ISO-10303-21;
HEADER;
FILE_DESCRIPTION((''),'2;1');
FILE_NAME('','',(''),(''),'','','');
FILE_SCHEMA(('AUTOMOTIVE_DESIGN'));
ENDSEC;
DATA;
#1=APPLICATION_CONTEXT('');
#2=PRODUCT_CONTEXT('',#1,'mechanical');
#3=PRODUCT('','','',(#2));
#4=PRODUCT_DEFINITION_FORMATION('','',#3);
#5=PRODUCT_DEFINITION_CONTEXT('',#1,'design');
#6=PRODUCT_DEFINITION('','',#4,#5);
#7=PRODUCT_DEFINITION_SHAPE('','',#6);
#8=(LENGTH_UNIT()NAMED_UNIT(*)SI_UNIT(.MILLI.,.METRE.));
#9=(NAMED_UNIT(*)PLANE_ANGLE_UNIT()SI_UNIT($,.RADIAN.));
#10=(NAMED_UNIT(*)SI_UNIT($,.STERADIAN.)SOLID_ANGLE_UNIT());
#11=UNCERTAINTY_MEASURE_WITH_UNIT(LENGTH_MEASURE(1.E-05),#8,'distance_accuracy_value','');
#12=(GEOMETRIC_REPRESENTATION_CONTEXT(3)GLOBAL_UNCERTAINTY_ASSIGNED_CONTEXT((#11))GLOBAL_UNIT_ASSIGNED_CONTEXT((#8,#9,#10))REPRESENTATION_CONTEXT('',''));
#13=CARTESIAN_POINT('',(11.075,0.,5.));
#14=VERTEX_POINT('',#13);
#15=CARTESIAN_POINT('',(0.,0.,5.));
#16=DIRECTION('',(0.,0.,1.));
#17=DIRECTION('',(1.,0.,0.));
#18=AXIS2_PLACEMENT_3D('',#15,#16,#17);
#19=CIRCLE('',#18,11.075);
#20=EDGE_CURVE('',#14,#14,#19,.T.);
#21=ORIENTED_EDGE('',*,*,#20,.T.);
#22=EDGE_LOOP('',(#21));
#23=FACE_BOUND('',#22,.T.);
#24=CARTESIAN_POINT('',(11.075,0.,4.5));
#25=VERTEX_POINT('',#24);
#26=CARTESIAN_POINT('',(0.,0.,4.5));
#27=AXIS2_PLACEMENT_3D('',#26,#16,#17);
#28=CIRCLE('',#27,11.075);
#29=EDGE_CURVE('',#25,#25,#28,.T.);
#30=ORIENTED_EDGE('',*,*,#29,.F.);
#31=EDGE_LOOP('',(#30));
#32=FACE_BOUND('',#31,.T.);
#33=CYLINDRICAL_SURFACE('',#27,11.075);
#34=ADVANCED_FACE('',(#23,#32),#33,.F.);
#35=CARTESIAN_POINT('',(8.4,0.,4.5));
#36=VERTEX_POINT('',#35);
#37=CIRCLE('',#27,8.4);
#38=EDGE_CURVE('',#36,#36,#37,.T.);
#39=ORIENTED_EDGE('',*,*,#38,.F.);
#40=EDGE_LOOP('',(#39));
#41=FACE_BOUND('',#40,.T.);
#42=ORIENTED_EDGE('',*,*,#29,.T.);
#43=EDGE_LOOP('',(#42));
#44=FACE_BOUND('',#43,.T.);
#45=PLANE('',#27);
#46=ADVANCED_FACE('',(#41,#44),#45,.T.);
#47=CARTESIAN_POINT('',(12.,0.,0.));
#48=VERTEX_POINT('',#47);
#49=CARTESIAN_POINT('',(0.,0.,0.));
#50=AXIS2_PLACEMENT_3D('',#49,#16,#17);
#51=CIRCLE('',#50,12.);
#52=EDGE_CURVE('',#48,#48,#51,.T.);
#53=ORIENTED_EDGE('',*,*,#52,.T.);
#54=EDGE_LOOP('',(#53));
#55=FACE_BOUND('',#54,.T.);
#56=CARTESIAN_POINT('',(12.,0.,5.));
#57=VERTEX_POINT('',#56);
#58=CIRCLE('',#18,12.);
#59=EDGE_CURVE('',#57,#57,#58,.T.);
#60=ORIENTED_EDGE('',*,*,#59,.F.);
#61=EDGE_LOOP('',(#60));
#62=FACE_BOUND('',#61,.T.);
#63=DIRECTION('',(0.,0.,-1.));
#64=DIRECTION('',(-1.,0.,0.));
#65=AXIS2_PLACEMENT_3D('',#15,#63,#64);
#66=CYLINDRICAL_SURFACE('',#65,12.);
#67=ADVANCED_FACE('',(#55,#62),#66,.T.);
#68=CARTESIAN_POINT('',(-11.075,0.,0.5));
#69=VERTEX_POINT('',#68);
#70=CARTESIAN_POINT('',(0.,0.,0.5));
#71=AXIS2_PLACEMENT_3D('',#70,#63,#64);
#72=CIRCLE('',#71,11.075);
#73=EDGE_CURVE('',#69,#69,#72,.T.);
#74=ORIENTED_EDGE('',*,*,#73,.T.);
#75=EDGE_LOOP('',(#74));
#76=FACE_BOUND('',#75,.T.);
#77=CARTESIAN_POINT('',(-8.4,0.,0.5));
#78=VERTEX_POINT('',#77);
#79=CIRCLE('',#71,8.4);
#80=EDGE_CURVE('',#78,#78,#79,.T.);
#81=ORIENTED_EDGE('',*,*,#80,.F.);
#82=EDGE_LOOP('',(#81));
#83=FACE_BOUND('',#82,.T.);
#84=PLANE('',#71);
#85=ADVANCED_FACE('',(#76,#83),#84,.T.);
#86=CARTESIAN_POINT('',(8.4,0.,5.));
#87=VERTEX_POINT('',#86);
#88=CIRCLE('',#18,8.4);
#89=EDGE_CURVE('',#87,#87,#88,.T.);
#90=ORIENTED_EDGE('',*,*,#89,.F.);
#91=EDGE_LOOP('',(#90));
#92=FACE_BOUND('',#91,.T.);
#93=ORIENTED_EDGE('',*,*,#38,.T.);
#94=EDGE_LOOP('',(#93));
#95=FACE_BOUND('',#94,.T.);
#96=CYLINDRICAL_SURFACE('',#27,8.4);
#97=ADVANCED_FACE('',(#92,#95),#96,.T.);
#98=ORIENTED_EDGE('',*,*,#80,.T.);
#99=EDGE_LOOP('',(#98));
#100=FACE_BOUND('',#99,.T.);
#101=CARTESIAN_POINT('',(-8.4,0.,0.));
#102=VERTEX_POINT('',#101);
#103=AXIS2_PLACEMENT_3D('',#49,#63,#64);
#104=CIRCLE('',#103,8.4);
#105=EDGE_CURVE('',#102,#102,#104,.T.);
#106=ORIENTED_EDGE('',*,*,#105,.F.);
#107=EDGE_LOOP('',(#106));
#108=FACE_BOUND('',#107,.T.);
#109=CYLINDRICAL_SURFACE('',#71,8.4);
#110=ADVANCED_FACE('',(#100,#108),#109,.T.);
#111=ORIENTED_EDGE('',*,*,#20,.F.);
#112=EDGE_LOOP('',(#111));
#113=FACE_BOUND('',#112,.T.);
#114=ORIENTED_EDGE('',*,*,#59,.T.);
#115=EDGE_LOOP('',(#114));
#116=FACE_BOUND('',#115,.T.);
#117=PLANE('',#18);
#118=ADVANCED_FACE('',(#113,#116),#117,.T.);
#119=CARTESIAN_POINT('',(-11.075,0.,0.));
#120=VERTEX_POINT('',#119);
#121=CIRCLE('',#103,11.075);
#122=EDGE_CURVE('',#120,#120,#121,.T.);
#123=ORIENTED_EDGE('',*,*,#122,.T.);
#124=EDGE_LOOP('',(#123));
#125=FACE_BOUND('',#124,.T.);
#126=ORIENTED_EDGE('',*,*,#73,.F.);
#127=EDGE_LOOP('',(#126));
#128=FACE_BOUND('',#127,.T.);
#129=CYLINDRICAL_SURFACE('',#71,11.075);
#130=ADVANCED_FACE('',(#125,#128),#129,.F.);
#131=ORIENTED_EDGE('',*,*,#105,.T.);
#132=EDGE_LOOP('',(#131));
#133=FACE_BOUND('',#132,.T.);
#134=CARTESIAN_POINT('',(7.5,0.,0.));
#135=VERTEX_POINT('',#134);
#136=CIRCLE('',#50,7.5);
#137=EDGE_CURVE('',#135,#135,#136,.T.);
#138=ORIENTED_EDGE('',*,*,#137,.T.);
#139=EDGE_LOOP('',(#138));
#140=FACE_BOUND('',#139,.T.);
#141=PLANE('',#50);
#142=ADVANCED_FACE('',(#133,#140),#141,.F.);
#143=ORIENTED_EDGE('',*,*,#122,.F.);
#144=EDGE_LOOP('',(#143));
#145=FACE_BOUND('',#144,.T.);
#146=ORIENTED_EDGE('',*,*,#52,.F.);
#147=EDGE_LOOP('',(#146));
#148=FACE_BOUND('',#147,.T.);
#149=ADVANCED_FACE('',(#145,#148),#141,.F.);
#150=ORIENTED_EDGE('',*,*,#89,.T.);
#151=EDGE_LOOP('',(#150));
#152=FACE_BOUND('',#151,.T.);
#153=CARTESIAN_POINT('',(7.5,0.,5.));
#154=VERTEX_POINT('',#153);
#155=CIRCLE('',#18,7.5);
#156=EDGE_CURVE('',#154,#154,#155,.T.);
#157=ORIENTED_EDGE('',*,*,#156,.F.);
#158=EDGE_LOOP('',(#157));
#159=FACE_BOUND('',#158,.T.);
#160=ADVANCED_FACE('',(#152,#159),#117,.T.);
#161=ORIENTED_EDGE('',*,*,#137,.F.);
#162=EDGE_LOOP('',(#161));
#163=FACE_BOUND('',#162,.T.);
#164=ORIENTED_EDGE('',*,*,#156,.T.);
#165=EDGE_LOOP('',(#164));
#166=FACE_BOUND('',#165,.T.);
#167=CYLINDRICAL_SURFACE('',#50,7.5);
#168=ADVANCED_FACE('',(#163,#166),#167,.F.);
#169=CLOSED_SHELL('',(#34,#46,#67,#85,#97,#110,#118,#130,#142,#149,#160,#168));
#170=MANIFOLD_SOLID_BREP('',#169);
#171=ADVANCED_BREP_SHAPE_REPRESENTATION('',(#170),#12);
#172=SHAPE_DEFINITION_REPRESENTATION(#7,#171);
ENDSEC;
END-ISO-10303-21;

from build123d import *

# Parameters (mm, degrees)
SKETCH_1_R          = 12
EXTRUDE_1_DEPTH     = 5
SKETCH_2_R          = 7.5
CUT_EXTRUDE_1_DEPTH = 6
SKETCH_3_R          = 11.075
SKETCH_3_R_2        = 8.4
CUT_EXTRUDE_2_DEPTH = 0.5
SKETCH_4_R          = 11.075
SKETCH_4_R_2        = 8.4
CUT_EXTRUDE_3_DEPTH = 0.5


with BuildPart() as part:
    # 草圖1 → 填料-伸長1 (new body)
    with BuildSketch(Plane.XY):
        Circle(SKETCH_1_R)
    extrude(amount=EXTRUDE_1_DEPTH)

    # 草圖2 → 除料-伸長1 (cut, through all)
    with BuildSketch(Plane.XY.offset(5)):
        Circle(SKETCH_2_R)
    extrude(amount=-CUT_EXTRUDE_1_DEPTH, mode=Mode.SUBTRACT)

    # 草圖3 → 除料-伸長2 (cut)
    with BuildSketch(Plane.XY.offset(5)):
        Circle(SKETCH_3_R)
        Circle(SKETCH_3_R_2, mode=Mode.SUBTRACT)
    extrude(amount=-CUT_EXTRUDE_2_DEPTH, mode=Mode.SUBTRACT)

    # 草圖4 → 除料-伸長3 (cut)
    with BuildSketch(Plane(origin=(0, 0, 0), x_dir=(-1, 0, 0), z_dir=(0, 0, -1))):
        Circle(SKETCH_4_R)
        Circle(SKETCH_4_R_2, mode=Mode.SUBTRACT)
    extrude(amount=-CUT_EXTRUDE_3_DEPTH, mode=Mode.SUBTRACT)


solid = part.part
